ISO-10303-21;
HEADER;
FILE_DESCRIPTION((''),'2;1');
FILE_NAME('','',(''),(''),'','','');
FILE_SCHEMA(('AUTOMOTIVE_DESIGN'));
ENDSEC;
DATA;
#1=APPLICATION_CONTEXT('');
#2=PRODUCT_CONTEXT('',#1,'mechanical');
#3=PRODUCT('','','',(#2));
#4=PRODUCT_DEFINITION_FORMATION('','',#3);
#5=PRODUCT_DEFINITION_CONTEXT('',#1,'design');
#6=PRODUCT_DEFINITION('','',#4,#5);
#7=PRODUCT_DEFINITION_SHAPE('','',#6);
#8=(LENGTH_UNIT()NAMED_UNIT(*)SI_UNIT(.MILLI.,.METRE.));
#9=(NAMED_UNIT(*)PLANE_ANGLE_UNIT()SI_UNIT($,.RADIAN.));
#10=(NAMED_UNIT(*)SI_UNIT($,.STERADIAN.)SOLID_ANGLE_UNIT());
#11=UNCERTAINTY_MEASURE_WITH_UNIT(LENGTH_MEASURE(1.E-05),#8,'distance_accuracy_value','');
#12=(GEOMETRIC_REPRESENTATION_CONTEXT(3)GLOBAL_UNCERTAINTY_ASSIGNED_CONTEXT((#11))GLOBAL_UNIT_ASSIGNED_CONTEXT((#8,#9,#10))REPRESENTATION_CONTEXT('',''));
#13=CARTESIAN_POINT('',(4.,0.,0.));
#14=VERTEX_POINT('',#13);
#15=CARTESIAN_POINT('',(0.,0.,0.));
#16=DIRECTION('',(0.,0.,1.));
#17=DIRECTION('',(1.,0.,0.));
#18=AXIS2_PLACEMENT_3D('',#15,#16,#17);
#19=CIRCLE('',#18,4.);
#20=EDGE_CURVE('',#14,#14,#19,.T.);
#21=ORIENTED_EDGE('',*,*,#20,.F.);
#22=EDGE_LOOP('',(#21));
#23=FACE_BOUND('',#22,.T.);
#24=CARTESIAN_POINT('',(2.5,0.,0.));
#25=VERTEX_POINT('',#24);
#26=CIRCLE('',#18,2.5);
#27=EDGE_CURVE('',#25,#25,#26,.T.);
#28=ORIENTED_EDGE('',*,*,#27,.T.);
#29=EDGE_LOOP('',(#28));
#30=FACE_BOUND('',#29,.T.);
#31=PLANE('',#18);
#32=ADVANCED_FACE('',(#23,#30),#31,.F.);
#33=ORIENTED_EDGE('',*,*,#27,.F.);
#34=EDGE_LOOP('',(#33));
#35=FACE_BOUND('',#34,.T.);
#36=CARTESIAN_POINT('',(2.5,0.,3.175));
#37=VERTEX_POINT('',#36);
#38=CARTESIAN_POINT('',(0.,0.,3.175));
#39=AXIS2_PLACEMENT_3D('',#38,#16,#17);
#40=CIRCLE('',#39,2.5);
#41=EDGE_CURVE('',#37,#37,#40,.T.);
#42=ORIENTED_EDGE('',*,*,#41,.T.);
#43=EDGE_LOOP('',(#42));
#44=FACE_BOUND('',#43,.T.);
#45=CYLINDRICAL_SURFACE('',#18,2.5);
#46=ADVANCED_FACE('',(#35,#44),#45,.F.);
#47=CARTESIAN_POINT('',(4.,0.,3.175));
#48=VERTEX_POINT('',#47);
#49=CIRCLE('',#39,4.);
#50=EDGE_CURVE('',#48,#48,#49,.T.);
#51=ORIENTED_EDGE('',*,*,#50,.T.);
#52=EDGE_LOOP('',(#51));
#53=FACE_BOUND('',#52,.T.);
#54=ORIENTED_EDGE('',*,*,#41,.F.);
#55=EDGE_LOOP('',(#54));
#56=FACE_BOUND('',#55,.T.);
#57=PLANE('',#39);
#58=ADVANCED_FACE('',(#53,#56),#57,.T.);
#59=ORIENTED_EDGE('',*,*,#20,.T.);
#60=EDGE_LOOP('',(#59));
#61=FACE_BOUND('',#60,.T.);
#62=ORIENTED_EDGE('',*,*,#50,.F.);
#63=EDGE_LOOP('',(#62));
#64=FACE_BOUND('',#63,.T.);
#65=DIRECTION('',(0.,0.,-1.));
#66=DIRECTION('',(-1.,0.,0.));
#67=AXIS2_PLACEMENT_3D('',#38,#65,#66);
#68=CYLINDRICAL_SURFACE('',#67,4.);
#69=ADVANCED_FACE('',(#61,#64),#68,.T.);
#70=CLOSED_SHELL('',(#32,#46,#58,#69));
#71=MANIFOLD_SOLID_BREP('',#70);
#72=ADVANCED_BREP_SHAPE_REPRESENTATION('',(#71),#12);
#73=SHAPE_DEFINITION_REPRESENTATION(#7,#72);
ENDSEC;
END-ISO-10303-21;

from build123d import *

# Parameters (mm, degrees)
SKETCH1_R           = 4
BOSS_EXTRUDE1_DEPTH = 3.175
SKETCH2_R           = 2.5
CUT_EXTRUDE1_DEPTH  = 7.48695807


with BuildPart() as part:
    # Sketch1 → Boss-Extrude1 (new body)
    with BuildSketch(Plane.XY):
        Circle(SKETCH1_R)
    extrude(amount=BOSS_EXTRUDE1_DEPTH)

    # Sketch2 → Cut-Extrude1 (cut, through all)
    with BuildSketch(Plane.XY.offset(3.175)):
        Circle(SKETCH2_R)
    extrude(amount=-CUT_EXTRUDE1_DEPTH, mode=Mode.SUBTRACT)


solid = part.part
